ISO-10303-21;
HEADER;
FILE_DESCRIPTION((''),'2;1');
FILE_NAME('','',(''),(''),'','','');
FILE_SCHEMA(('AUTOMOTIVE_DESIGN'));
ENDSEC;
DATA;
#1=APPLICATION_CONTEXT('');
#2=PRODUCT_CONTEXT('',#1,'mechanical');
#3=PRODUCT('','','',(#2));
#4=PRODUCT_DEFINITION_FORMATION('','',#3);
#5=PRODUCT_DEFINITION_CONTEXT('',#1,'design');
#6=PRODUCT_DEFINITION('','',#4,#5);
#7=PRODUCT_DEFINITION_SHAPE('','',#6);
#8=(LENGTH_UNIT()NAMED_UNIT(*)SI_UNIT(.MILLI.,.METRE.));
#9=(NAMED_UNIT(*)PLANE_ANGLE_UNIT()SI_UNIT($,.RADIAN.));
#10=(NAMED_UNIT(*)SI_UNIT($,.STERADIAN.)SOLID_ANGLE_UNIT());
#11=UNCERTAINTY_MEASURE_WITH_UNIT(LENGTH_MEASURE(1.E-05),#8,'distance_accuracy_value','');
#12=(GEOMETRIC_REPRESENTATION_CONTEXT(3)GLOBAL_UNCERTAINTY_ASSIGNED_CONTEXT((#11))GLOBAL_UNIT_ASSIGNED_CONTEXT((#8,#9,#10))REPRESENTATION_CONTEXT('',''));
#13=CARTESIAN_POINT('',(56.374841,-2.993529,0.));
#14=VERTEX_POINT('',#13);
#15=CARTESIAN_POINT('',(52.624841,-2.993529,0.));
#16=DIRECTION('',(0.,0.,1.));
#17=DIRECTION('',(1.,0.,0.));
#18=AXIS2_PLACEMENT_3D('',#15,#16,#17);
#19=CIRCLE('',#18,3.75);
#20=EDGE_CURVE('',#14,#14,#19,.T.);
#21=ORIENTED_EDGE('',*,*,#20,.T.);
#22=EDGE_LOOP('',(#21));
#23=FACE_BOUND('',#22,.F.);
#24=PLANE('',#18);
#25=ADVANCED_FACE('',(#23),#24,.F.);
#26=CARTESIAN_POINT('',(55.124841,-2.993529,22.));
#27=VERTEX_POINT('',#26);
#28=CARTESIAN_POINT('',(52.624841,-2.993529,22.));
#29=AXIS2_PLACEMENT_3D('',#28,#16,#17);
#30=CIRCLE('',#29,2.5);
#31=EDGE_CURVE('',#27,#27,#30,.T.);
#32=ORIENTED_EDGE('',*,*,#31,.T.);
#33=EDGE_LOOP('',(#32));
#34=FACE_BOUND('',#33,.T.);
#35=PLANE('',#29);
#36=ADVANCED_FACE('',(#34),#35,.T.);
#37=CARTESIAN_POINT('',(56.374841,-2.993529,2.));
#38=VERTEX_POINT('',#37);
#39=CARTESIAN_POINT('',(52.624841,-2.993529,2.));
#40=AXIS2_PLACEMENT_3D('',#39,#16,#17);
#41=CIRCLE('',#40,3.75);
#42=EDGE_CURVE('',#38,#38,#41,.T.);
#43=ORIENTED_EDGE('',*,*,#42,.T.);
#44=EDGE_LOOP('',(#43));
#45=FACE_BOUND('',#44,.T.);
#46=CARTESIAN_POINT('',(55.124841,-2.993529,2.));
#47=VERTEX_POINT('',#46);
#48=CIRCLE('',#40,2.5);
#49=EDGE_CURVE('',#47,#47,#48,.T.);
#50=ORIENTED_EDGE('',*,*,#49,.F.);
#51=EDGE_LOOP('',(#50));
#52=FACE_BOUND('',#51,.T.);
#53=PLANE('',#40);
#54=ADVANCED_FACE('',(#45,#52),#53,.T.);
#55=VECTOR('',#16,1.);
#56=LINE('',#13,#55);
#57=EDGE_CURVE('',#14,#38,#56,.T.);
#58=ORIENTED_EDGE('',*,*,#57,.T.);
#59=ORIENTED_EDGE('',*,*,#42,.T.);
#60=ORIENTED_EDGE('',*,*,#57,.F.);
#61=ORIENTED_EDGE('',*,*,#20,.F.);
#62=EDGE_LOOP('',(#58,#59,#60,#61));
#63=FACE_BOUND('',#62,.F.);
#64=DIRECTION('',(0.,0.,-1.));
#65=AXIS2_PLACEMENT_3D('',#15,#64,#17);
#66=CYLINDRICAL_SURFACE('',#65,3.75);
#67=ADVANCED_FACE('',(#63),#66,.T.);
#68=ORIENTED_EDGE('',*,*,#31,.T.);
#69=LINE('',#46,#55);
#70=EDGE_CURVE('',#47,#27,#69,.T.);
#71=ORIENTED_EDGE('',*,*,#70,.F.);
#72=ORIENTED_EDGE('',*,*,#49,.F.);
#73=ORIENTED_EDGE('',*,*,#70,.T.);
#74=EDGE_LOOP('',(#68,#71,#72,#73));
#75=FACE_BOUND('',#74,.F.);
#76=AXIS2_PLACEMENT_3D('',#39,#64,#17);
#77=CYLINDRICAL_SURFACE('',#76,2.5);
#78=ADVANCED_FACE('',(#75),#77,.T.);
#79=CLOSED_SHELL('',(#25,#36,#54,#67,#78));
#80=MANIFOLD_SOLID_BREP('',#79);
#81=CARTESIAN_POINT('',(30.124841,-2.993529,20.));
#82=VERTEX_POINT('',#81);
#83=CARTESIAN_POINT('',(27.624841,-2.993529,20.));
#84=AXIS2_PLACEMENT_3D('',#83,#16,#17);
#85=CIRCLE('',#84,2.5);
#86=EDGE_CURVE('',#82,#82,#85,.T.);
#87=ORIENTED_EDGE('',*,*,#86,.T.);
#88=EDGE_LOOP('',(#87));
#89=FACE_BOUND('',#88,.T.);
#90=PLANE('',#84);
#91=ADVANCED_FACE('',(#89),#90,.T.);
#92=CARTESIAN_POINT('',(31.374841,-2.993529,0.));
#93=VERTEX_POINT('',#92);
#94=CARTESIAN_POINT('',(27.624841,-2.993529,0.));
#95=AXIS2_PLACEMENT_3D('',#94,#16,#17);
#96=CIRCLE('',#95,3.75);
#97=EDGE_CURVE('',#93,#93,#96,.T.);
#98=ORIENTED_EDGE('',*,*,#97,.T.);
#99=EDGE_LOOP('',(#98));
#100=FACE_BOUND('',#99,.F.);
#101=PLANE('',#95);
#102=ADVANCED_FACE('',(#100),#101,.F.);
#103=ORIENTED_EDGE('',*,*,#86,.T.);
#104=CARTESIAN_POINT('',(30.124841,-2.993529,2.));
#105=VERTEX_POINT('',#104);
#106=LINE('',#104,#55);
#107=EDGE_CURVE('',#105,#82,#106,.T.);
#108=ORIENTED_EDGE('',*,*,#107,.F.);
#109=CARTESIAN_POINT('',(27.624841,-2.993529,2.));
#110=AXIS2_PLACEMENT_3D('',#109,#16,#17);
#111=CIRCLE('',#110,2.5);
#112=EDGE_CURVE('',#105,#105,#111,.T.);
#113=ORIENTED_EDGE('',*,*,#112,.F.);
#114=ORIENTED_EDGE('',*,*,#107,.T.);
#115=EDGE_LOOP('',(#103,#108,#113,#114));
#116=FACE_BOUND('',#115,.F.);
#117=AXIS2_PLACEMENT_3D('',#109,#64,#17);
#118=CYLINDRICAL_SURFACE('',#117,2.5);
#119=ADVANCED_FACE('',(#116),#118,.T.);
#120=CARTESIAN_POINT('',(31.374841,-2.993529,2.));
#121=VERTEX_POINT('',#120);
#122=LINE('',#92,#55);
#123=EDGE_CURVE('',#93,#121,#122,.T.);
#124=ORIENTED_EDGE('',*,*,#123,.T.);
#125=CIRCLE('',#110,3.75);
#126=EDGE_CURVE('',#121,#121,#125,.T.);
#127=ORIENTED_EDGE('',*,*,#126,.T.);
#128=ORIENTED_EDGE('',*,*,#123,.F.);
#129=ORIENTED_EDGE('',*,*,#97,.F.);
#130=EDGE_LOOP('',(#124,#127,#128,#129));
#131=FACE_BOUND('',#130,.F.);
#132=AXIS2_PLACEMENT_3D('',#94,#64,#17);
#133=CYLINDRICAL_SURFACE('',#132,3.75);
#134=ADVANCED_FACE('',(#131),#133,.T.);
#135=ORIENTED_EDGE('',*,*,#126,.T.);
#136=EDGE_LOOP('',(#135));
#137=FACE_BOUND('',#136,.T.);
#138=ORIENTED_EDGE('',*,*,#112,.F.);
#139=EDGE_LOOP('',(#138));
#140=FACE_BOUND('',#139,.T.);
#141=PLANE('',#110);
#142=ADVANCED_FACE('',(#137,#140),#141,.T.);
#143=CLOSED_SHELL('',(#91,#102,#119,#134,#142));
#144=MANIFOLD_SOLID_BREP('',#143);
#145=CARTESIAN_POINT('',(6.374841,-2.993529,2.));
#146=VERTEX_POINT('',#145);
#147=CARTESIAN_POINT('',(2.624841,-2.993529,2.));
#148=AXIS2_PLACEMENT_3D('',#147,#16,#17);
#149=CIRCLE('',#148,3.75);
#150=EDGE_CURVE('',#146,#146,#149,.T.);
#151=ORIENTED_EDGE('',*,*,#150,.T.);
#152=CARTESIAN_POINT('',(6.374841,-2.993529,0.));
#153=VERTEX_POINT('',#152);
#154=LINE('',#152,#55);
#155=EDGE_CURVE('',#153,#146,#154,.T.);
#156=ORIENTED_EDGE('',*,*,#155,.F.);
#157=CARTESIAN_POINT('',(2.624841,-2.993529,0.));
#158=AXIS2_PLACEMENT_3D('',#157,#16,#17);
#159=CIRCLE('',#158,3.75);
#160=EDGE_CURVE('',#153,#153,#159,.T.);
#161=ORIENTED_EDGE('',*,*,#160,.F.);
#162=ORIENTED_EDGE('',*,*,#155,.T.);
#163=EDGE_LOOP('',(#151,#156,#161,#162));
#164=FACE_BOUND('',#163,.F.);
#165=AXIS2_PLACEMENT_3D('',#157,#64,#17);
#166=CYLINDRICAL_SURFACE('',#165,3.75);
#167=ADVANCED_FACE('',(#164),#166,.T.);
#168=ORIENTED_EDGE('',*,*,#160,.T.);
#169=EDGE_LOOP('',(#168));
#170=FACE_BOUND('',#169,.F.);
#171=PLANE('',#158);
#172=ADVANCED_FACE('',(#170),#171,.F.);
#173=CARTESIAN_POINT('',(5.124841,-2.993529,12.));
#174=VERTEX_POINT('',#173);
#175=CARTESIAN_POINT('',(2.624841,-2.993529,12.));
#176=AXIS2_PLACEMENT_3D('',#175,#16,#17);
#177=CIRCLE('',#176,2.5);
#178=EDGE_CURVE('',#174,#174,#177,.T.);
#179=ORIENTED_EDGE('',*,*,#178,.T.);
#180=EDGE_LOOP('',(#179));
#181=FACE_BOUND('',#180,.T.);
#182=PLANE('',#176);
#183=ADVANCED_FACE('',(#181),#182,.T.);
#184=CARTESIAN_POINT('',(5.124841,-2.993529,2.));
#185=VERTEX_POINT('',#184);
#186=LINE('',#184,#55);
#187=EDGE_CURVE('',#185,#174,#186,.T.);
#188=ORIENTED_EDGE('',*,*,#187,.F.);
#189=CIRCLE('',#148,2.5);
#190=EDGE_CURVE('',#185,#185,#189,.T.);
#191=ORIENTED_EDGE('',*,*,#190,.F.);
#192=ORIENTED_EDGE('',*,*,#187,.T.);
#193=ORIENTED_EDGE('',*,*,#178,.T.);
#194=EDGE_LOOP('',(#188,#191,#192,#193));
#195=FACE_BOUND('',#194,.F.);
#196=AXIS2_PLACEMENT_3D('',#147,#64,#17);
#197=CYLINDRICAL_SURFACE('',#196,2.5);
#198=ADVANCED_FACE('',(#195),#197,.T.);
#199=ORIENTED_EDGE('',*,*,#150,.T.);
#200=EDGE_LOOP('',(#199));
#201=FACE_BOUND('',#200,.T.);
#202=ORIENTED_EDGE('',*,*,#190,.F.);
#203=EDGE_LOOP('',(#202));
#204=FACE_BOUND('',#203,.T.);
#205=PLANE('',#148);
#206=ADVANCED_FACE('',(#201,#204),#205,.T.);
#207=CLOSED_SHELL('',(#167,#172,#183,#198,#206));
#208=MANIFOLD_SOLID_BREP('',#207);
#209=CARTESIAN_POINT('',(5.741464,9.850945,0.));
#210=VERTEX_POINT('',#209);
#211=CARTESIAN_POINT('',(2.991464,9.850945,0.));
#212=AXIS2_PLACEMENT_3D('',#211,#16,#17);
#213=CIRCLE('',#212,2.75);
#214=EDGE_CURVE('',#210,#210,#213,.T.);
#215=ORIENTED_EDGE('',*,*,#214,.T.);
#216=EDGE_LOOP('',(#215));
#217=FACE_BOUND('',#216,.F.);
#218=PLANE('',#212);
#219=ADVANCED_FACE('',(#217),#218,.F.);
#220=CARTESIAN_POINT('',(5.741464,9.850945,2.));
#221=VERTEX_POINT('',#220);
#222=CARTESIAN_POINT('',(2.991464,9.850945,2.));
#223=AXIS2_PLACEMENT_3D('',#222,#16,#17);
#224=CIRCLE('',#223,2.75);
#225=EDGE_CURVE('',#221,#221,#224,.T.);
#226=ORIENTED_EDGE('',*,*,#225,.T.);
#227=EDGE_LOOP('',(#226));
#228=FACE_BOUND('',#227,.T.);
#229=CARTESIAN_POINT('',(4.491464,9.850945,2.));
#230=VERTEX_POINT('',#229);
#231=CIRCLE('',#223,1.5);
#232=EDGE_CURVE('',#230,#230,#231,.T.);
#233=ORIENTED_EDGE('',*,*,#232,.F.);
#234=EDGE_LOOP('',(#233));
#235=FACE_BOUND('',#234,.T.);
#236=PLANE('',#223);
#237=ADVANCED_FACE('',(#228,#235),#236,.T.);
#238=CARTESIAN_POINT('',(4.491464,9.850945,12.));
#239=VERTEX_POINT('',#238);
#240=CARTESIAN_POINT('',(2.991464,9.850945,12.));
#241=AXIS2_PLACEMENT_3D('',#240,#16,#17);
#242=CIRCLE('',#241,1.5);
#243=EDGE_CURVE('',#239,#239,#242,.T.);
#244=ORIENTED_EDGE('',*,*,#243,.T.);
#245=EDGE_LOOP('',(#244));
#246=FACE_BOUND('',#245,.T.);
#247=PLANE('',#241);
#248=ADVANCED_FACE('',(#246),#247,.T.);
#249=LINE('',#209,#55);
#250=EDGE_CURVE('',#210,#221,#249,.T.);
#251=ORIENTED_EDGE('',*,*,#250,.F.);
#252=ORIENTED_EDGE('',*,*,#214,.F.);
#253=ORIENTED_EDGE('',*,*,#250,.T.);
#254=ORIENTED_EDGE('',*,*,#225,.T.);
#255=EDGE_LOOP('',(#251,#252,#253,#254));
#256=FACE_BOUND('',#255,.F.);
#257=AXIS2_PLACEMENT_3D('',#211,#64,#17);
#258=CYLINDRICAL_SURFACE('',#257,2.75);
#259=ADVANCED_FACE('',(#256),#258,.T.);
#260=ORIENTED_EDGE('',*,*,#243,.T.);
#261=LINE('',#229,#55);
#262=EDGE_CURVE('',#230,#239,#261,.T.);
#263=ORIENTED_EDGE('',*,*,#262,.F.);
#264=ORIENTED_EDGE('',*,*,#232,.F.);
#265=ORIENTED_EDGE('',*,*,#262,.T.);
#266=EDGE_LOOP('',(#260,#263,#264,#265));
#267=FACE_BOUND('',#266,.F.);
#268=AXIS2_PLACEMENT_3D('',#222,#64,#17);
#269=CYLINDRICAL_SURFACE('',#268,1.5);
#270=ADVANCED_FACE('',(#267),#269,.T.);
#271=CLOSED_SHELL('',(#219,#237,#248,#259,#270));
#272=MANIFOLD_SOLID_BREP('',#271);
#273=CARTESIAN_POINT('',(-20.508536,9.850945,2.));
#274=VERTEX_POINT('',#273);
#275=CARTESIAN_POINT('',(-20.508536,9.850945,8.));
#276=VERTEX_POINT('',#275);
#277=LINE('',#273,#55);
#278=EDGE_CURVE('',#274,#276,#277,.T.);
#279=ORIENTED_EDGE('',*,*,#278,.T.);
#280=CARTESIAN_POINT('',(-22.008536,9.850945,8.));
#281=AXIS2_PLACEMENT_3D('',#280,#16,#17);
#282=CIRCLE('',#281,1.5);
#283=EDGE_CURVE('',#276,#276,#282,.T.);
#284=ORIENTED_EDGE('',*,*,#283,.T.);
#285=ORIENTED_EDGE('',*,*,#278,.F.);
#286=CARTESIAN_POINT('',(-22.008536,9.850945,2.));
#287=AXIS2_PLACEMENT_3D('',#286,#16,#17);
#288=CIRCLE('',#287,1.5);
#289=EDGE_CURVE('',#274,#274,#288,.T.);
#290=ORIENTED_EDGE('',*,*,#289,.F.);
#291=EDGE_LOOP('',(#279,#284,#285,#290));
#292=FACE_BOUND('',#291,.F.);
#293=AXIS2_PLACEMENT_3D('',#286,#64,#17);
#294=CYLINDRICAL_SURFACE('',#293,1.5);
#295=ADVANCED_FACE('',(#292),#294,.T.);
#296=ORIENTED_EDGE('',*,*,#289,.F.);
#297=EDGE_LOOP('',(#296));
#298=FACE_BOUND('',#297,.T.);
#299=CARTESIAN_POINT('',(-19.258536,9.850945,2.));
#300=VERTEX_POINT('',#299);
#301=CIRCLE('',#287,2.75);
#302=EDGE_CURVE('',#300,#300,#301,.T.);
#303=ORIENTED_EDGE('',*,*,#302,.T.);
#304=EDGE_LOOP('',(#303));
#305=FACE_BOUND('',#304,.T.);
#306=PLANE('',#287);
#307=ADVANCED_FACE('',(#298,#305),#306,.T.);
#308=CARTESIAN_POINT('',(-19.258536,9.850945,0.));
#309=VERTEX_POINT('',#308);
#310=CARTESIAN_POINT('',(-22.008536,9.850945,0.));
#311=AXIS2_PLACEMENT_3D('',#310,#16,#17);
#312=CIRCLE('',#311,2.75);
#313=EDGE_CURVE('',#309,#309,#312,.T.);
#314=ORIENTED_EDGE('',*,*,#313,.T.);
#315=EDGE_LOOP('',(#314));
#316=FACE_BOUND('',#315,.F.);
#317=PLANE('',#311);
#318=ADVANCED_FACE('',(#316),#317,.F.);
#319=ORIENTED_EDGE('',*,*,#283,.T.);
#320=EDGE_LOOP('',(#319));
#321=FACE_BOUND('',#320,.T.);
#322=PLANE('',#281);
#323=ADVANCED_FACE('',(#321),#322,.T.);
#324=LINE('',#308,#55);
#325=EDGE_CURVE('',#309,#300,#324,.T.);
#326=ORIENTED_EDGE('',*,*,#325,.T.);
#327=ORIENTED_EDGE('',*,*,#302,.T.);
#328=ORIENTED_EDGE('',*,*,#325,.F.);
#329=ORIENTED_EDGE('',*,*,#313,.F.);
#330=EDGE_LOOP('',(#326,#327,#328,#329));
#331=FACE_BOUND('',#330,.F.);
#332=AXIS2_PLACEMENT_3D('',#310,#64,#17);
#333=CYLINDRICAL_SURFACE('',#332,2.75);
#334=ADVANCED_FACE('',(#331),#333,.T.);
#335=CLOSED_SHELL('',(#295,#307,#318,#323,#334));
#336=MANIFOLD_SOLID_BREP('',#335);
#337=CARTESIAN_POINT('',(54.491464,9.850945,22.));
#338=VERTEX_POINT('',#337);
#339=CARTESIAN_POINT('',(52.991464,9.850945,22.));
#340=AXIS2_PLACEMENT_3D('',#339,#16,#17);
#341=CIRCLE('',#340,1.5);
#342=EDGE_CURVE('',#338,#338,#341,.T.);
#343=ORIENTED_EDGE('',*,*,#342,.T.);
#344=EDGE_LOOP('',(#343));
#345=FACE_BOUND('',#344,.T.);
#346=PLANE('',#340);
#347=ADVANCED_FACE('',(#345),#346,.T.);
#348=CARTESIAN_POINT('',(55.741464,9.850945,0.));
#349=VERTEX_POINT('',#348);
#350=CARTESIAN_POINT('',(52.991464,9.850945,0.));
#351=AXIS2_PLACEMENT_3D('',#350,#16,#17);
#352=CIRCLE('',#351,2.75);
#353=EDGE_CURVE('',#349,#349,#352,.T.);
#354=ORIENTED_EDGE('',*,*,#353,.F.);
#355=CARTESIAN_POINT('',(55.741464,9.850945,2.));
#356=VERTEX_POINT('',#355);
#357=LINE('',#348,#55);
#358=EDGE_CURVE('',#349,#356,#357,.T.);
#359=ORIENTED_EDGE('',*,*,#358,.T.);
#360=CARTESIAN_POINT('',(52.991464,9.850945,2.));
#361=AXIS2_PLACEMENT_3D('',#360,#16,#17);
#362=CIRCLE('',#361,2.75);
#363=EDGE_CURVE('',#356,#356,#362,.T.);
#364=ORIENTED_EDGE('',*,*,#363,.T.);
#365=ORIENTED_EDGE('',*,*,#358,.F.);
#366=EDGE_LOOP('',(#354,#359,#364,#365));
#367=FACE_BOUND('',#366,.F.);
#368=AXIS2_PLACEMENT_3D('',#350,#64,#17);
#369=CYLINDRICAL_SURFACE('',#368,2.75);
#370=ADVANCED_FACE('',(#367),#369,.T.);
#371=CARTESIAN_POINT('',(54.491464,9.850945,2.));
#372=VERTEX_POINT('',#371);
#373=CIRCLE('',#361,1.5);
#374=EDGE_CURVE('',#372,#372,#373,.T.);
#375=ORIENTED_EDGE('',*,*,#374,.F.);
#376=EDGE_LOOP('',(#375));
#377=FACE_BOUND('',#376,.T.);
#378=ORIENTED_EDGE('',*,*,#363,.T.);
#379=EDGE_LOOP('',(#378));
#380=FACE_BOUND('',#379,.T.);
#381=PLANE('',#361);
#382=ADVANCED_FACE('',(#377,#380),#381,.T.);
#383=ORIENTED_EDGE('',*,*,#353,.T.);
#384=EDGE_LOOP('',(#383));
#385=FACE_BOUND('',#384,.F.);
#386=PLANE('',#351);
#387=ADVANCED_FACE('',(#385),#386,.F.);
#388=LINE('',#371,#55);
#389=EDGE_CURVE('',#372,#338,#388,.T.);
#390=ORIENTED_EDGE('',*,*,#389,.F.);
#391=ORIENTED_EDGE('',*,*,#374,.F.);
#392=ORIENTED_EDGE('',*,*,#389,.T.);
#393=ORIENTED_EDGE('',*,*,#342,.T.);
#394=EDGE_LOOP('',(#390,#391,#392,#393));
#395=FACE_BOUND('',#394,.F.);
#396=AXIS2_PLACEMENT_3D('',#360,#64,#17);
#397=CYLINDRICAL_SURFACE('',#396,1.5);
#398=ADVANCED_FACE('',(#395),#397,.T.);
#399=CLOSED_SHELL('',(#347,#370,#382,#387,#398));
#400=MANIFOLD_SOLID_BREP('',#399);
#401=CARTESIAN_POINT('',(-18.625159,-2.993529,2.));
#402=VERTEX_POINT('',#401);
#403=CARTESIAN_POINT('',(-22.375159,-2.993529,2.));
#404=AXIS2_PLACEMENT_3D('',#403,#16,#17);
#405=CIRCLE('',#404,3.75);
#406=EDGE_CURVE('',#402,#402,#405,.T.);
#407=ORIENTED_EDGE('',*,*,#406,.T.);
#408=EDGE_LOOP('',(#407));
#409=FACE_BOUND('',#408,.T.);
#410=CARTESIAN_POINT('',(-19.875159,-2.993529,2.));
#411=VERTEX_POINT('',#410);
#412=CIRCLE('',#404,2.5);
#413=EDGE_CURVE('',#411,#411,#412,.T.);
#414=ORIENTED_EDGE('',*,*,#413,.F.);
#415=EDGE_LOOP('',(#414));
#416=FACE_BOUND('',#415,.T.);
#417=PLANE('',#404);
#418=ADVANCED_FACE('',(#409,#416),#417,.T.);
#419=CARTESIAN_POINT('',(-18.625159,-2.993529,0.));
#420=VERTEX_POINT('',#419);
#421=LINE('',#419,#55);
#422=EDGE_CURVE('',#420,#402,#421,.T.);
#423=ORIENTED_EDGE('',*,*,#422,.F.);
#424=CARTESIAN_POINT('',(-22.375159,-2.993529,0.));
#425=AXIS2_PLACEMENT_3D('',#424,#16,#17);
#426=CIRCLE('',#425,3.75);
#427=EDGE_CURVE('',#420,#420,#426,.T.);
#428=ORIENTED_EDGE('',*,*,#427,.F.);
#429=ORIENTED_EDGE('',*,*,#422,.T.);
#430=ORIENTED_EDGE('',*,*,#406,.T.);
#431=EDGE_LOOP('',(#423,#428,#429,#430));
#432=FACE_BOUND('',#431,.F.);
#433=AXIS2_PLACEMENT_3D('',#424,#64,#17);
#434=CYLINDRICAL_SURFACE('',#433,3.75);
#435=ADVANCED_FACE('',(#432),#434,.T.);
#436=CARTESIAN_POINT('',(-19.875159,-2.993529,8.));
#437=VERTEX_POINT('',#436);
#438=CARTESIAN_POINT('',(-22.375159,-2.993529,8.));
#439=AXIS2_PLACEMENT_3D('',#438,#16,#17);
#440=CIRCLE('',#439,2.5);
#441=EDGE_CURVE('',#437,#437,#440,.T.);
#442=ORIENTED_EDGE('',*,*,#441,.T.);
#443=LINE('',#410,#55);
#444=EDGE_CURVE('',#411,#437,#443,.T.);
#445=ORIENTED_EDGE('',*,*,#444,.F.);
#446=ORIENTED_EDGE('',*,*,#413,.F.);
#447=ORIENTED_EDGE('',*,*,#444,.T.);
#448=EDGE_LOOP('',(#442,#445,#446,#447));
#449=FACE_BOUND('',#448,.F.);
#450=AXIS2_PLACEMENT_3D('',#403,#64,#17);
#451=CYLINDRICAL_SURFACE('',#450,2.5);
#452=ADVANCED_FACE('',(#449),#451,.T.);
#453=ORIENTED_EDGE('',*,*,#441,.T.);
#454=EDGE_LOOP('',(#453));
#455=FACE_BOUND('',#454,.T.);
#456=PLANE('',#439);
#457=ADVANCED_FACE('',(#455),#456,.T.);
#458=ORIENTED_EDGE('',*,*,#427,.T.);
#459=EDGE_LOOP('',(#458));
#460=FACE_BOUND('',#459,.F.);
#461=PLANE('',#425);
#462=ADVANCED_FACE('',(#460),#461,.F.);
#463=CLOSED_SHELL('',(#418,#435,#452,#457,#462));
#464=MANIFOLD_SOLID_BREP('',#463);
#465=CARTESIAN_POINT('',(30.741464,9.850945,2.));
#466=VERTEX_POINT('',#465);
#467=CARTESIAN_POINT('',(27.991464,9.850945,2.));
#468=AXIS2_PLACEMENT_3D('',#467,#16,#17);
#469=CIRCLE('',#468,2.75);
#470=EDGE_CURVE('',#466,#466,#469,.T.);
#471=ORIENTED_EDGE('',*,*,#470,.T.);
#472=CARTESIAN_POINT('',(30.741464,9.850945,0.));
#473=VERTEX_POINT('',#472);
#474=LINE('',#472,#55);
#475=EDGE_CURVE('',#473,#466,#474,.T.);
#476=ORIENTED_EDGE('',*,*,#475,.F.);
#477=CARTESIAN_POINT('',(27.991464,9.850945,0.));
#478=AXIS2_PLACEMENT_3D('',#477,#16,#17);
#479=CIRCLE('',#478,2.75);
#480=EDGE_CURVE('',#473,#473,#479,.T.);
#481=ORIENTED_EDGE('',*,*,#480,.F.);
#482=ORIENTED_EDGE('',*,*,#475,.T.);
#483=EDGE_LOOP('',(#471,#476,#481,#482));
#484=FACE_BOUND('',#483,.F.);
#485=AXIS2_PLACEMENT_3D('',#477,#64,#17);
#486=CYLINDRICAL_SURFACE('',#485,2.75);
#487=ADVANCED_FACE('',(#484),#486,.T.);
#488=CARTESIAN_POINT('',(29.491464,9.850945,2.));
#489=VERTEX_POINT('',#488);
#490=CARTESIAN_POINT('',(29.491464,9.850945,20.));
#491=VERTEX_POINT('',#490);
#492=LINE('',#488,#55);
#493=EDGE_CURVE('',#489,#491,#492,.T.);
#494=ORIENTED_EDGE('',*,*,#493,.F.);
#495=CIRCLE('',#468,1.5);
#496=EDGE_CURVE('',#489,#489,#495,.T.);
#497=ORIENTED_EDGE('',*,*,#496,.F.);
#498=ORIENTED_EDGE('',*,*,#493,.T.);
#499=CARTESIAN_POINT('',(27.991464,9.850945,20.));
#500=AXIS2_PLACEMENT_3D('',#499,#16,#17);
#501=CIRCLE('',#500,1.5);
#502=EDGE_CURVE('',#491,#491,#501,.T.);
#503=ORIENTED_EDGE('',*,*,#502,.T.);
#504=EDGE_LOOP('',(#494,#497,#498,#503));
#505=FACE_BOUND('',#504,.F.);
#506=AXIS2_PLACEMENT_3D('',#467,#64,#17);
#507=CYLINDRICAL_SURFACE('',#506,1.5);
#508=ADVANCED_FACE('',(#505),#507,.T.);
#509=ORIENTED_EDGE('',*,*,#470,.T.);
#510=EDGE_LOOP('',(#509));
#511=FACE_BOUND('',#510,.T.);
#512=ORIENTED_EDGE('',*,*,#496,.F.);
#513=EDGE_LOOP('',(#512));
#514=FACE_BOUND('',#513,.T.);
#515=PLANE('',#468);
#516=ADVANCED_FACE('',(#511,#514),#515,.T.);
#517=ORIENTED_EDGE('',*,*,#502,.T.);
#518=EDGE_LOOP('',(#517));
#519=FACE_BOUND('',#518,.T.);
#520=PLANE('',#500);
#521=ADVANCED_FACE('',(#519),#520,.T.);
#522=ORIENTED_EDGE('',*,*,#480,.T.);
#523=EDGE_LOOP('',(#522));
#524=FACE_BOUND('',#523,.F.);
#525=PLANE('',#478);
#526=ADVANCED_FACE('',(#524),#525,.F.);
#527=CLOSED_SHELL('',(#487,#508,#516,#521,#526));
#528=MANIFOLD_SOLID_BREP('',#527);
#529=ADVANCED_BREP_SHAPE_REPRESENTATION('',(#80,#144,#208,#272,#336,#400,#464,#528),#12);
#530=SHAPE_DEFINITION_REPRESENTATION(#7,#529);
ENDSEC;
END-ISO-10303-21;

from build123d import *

# Parameters (mm, degrees)
F0_R     = 2.75
F0_R_2   = 3.75
F1_DEPTH = 2
F2_R     = 1.5
F3_R     = 2.5
F4_DEPTH = 6
F5_DEPTH = 10
F6_DEPTH = 18
F7_DEPTH = 20


with BuildPart() as f1:
    # F0 (on Top) → F1 (new body)
    with BuildSketch(Plane.XY):
        with Locations((-22.008536, 9.850945)):
            Circle(F0_R)
        with Locations((2.991464, 9.850945)):
            Circle(F0_R)
        with Locations((27.991464, 9.850945)):
            Circle(F0_R)
        with Locations((-22.375159, -2.993529)):
            Circle(F0_R_2)
        with Locations((27.624841, -2.993529)):
            Circle(F0_R_2)
        with Locations((52.991464, 9.850945)):
            Circle(F0_R)
        with Locations((2.624841, -2.993529)):
            Circle(F0_R_2)
        with Locations((52.624841, -2.993529)):
            Circle(F0_R_2)
    extrude(amount=F1_DEPTH)

    # F2 (on face) + F3 (on face) → F4 (join)
    with BuildSketch(Plane.XY.offset(2)):
        with Locations((-22.008536, 9.850945)):
            Circle(F2_R)
    with BuildSketch(Plane.XY.offset(2)):
        with Locations((-22.375159, -2.993529)):
            Circle(F3_R)
    extrude(amount=F4_DEPTH)

    # F3 (on face) + F2 (on face) → F5 (join)
    with BuildSketch(Plane.XY.offset(2)):
        with Locations((2.624841, -2.993529)):
            Circle(F3_R)
    with BuildSketch(Plane.XY.offset(2)):
        with Locations((2.991464, 9.850945)):
            Circle(F2_R)
    extrude(amount=F5_DEPTH)

    # F2 (on face) + F3 (on face) → F6 (join)
    with BuildSketch(Plane.XY.offset(2)):
        with Locations((27.991464, 9.850945)):
            Circle(F2_R)
    with BuildSketch(Plane.XY.offset(2)):
        with Locations((27.624841, -2.993529)):
            Circle(F3_R)
    extrude(amount=F6_DEPTH)

    # F2 (on face) + F3 (on face) → F7 (join)
    with BuildSketch(Plane.XY.offset(2)):
        with Locations((52.991464, 9.850945)):
            Circle(F2_R)
    with BuildSketch(Plane.XY.offset(2)):
        with Locations((52.624841, -2.993529)):
            Circle(F3_R)
    extrude(amount=F7_DEPTH)


solid = f1.part
